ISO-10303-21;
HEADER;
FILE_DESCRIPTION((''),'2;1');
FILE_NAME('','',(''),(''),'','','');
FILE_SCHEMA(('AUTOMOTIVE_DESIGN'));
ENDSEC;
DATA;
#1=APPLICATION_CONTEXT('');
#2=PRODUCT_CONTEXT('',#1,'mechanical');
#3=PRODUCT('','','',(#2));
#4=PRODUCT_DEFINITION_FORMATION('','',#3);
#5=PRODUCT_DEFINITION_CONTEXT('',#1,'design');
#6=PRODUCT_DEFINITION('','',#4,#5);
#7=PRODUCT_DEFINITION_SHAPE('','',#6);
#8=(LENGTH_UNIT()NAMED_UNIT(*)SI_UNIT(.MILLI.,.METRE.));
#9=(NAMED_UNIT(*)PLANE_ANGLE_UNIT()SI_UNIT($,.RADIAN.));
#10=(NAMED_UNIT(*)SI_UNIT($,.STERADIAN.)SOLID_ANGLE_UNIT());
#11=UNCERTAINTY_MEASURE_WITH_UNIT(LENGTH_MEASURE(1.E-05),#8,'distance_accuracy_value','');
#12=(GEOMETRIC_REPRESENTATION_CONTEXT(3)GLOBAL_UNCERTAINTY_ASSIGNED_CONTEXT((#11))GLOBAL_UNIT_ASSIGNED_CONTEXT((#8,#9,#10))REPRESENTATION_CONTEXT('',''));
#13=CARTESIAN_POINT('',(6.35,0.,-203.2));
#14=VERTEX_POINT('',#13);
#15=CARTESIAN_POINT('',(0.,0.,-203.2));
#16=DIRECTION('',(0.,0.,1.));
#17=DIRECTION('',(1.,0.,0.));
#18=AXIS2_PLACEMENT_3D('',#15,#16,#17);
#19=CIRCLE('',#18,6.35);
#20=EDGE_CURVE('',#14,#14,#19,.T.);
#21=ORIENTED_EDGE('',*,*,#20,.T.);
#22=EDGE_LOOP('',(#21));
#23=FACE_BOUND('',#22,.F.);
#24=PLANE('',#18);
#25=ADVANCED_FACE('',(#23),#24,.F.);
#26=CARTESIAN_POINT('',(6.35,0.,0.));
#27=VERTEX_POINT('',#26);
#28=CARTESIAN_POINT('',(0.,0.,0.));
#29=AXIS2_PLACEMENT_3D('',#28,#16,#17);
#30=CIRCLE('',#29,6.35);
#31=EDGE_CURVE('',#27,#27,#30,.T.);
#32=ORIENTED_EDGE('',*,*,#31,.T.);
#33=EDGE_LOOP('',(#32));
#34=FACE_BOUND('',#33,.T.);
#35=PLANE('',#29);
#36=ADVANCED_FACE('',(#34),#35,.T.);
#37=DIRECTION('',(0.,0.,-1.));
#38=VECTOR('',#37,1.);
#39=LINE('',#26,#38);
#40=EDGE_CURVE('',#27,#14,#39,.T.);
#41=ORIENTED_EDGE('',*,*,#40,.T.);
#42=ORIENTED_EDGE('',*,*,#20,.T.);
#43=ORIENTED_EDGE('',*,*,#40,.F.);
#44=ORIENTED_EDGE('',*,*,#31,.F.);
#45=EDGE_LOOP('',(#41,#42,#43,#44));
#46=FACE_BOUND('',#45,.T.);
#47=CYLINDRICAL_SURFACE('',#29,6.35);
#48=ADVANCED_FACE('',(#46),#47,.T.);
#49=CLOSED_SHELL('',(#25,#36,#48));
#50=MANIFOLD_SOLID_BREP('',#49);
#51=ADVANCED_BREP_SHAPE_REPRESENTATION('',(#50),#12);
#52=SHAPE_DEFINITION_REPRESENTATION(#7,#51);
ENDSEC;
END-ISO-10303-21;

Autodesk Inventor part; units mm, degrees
ref_plane "YZ Plane" through (0, 0, 0) normal (1, 0, 0) x (0, 1, 0)
ref_plane "XZ Plane" through (0, 0, 0) normal (0, 1, 0) x (-1, 0, 0)
ref_plane "XY Plane" through (0, 0, 0) normal (0, 0, 1) x (1, 0, 0)
sketch "Sketch1" plane through (0, 0, 0) normal (0, 0, 1) x (1, 0, 0)
  circle A0 centre (0, 0) radius 6.35
  dimension "d0" = 12.7
extrude "Extrusion1" add sketch "Sketch1" against normal blind 203.2
properties part number "Cane Segmant"
